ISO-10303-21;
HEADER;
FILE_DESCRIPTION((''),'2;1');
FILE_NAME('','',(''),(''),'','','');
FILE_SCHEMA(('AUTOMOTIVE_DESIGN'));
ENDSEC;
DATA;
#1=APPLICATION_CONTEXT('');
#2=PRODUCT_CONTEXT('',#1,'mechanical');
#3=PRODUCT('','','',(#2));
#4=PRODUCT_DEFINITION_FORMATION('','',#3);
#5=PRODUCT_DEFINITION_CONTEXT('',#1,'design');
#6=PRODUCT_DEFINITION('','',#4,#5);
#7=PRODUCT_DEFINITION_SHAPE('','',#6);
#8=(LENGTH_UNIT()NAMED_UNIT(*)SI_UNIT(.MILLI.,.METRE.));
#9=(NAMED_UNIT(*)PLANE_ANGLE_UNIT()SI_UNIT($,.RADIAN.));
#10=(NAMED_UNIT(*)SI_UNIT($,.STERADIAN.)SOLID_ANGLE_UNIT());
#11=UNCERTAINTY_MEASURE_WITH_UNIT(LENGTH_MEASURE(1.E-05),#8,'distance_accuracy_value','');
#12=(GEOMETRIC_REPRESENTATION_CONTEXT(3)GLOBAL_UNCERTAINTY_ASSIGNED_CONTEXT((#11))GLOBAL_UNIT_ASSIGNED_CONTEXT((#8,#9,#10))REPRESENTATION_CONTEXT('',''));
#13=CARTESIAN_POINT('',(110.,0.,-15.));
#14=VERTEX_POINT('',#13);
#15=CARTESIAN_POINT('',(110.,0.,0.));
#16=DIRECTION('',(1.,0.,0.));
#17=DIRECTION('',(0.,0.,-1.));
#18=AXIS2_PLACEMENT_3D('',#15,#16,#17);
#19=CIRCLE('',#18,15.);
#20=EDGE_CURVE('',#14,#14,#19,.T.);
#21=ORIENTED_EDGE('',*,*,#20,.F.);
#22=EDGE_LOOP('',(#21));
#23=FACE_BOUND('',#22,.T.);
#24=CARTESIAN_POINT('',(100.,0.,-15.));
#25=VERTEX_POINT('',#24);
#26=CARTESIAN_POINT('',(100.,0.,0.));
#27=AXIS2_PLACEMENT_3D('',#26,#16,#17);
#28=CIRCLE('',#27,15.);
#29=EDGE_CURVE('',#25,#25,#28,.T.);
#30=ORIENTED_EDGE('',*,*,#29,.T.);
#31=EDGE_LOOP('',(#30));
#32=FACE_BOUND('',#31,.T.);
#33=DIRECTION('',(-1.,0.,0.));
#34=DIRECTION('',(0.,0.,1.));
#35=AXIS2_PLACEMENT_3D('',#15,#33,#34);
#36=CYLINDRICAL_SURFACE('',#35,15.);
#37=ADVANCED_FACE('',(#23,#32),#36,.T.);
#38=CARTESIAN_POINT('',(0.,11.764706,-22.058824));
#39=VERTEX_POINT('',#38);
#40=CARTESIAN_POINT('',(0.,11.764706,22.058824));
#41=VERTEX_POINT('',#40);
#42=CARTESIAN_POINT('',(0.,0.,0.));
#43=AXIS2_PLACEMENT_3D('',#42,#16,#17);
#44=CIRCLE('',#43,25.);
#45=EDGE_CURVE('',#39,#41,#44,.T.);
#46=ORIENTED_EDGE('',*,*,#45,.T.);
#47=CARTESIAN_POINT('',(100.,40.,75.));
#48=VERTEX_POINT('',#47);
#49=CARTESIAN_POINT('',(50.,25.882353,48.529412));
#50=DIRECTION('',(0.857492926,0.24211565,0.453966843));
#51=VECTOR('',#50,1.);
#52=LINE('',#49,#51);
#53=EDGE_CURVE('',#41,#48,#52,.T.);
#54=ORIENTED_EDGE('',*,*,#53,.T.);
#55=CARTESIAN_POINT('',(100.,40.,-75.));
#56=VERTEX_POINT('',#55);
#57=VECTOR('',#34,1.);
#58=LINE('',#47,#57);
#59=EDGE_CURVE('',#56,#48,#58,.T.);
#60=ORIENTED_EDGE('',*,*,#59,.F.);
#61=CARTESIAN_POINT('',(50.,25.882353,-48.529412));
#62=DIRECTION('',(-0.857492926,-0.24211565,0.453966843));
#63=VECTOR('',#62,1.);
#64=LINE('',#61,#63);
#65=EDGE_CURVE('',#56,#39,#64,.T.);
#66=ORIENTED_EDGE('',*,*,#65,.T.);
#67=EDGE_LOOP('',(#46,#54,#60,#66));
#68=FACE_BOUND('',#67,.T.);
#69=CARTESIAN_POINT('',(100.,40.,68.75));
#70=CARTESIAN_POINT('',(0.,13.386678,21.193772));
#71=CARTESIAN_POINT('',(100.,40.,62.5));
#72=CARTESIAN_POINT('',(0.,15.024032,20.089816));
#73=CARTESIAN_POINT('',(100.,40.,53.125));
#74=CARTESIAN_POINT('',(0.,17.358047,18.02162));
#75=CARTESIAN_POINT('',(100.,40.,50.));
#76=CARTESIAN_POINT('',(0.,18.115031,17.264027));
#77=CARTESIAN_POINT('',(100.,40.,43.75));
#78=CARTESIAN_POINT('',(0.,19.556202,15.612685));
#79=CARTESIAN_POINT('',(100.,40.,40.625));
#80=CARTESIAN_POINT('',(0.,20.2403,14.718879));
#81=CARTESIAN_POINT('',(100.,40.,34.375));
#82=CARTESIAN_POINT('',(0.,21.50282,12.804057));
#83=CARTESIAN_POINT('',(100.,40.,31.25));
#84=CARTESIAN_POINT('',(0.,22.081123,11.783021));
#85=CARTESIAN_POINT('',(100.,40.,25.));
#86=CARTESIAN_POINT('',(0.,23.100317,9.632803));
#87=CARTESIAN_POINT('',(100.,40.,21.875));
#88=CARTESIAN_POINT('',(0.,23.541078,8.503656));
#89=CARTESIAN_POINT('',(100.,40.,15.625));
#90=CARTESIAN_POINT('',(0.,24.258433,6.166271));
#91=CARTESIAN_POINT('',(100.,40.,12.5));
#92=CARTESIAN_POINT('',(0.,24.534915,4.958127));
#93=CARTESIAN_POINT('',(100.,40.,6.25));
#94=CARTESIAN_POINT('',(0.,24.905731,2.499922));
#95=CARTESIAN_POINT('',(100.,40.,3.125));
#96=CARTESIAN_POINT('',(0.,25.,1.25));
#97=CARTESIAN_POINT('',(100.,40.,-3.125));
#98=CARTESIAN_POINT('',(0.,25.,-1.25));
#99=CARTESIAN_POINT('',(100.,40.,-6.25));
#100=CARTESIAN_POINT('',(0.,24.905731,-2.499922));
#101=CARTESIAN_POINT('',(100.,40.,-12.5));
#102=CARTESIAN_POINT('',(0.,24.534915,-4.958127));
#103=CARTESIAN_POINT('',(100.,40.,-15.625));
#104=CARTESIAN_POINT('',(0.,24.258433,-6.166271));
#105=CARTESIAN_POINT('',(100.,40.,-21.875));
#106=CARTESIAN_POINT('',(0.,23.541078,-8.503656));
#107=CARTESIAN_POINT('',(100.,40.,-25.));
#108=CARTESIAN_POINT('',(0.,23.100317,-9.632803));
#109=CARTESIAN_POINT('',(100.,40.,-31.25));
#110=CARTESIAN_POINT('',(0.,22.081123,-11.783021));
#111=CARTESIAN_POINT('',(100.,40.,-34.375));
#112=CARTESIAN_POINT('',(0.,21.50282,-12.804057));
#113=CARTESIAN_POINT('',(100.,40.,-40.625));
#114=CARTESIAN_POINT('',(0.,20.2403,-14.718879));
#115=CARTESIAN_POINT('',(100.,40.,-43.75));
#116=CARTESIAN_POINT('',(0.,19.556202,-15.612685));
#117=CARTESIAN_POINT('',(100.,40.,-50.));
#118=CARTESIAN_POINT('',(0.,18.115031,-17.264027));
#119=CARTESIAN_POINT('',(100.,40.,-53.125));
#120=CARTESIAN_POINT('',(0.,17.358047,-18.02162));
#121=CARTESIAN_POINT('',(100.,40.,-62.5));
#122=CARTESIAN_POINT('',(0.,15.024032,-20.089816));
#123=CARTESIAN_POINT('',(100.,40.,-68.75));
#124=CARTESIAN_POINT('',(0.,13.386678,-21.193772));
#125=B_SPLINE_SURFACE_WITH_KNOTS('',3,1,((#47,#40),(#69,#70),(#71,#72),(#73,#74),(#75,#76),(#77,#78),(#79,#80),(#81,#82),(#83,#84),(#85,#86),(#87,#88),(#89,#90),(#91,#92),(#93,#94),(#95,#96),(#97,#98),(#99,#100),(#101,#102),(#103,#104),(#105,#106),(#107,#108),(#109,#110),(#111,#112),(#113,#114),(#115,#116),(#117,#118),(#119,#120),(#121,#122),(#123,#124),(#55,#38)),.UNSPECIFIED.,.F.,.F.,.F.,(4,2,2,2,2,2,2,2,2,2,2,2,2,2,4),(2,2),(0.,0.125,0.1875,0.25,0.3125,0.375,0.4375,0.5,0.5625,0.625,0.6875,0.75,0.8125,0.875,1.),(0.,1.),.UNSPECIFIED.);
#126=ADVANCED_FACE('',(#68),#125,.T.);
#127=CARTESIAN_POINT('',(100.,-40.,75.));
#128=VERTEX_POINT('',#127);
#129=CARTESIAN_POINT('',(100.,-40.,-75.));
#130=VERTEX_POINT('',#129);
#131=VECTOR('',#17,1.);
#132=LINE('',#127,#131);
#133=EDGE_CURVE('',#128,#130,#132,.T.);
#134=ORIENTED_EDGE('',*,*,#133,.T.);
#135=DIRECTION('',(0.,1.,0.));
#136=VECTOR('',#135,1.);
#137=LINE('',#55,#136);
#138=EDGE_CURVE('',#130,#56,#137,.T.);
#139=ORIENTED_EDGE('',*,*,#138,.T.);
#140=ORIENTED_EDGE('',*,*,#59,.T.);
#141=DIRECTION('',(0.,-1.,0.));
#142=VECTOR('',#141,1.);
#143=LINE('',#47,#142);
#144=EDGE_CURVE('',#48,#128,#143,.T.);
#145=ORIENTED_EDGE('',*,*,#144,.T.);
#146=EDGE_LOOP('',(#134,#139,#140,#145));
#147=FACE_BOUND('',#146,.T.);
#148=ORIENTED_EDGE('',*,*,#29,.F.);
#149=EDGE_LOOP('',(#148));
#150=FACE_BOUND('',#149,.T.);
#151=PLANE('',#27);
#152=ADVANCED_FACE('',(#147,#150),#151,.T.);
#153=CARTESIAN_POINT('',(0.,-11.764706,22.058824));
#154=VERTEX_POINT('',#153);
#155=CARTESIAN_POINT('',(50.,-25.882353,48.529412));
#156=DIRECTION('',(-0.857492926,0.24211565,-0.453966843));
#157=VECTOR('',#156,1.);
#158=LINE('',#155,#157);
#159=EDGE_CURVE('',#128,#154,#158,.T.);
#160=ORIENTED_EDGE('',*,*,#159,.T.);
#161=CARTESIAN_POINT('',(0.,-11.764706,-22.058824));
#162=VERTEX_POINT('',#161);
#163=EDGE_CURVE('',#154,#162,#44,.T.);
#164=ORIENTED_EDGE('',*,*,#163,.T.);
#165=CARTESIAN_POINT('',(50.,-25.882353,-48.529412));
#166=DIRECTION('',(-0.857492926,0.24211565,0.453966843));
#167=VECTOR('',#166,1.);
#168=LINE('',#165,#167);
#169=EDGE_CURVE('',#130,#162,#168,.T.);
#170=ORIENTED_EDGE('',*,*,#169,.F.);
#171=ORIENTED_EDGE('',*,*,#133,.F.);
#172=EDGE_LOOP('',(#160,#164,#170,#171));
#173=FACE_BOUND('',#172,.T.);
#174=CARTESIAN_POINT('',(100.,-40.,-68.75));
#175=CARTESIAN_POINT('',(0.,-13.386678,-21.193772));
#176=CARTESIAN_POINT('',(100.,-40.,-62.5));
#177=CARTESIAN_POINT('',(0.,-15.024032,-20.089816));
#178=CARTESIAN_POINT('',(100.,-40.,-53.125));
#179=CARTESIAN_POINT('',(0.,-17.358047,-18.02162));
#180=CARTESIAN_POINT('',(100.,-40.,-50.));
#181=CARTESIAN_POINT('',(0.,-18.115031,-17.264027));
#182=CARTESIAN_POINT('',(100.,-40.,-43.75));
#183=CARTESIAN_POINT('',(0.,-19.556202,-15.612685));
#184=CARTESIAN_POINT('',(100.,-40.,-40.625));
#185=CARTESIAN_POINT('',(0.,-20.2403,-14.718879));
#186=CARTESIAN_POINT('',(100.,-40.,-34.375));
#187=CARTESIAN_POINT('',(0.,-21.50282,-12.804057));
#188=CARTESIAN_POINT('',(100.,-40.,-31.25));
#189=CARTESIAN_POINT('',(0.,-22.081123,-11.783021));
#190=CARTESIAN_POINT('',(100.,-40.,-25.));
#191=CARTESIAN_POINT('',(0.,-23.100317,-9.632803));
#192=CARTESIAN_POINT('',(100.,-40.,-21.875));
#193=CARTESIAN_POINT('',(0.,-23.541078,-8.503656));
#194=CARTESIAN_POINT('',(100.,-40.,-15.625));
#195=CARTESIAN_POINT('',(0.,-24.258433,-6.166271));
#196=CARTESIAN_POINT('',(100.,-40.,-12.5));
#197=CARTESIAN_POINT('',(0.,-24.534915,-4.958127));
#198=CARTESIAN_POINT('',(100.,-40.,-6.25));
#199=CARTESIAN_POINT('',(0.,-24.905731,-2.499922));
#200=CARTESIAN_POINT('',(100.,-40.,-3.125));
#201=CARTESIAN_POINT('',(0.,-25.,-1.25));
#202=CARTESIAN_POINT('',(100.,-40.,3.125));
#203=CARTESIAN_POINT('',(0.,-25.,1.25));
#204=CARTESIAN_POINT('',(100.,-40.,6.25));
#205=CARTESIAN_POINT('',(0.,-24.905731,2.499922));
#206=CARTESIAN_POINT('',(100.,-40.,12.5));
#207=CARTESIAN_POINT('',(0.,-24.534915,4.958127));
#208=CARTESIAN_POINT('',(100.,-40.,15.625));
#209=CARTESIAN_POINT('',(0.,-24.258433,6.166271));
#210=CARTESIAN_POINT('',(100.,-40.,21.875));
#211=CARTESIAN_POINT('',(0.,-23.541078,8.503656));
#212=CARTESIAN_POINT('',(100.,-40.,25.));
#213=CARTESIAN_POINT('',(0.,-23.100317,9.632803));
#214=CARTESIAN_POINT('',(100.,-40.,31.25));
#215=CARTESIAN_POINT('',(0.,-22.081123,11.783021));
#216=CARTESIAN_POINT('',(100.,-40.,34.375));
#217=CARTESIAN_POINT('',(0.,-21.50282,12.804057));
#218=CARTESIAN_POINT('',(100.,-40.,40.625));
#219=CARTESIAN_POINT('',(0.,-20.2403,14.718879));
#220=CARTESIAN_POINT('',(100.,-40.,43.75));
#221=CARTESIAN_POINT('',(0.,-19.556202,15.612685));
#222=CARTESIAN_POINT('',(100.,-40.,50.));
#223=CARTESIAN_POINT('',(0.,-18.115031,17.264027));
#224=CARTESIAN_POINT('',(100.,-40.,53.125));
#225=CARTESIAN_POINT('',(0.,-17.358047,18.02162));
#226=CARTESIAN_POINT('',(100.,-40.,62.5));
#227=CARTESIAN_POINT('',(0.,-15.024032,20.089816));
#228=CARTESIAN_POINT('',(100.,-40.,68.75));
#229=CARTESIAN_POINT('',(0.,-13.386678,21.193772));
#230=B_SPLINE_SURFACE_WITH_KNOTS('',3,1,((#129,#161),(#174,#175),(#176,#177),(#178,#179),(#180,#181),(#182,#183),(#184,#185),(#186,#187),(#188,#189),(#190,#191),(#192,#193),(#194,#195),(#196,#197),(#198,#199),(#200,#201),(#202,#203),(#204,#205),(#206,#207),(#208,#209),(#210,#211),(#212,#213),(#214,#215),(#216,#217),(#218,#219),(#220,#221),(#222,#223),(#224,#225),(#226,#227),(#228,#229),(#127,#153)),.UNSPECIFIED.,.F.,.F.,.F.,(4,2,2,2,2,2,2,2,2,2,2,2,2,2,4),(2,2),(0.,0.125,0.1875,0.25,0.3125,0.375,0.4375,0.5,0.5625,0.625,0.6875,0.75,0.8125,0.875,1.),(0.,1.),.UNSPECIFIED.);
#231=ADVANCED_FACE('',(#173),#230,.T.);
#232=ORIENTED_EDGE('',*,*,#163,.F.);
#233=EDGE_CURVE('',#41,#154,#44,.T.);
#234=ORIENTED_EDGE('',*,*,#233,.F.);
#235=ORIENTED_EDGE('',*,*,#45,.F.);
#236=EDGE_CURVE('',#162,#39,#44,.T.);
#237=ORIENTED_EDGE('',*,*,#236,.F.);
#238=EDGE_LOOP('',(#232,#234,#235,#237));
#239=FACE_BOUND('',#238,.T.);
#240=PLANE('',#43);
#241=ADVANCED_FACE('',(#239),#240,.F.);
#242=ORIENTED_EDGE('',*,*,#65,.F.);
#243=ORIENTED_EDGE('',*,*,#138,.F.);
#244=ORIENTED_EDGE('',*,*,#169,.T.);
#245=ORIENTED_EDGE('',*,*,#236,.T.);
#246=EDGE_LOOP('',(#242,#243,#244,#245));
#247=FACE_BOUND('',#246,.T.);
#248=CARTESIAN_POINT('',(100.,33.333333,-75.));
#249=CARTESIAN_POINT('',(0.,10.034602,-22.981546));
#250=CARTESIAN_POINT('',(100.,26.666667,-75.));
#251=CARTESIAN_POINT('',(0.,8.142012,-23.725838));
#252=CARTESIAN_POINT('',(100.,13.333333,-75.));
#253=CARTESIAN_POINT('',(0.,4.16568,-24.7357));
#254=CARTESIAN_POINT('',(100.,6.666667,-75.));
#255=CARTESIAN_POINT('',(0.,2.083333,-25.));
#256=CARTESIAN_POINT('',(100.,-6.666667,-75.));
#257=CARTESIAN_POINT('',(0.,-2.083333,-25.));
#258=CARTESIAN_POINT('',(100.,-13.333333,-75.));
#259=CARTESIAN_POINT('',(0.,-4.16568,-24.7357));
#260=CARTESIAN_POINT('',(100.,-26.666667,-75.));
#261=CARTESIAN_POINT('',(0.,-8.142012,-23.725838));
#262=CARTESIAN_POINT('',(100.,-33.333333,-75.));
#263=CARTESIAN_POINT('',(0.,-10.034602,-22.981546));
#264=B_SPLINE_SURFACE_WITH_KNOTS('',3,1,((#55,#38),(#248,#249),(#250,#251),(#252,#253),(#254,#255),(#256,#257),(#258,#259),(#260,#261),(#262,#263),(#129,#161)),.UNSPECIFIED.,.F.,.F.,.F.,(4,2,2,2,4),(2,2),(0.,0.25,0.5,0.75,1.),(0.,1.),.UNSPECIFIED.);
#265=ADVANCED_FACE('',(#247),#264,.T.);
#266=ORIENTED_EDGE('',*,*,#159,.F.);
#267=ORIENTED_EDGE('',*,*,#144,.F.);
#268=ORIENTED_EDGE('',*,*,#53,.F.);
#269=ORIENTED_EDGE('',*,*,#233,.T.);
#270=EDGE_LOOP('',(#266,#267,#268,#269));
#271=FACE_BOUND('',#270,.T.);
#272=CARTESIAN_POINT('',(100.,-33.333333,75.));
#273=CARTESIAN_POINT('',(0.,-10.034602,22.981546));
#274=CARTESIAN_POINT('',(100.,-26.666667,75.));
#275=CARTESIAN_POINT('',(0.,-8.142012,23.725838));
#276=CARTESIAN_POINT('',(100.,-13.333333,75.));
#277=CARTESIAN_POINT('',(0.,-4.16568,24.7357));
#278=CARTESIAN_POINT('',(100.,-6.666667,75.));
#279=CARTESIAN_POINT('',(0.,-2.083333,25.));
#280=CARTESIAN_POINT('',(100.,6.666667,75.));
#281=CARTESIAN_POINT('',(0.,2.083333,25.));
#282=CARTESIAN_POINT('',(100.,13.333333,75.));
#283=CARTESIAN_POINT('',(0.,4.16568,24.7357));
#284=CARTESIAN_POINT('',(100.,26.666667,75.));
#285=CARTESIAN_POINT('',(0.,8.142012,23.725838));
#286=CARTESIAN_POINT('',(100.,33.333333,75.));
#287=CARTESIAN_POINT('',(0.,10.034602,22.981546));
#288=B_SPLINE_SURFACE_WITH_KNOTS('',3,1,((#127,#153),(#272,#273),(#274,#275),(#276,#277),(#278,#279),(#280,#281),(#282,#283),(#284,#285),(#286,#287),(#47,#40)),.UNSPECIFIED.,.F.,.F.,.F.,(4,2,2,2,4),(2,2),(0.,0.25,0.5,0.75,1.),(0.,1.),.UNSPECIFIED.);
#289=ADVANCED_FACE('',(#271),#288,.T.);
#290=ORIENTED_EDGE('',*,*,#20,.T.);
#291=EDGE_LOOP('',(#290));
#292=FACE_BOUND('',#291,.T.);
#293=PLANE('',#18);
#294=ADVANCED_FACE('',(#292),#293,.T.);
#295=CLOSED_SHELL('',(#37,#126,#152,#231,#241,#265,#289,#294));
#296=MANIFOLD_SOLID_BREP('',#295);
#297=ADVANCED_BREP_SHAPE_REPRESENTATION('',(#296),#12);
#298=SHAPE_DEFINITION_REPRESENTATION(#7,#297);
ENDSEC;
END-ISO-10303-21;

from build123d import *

# Parameters (mm, degrees)
SKETCH2_W           = 150
SKETCH2_H           = 80
SKETCH3_R           = 15
BOSS_EXTRUDE1_DEPTH = 10


with BuildPart() as part:
    # Sketch2 → Loft1 section 0
    with BuildSketch(Plane(origin=(100, 0, 0), x_dir=(0, 0, -1), z_dir=(1, 0, 0))):
        Rectangle(SKETCH2_W, SKETCH2_H)
    # Sketch1 for Loft1 → Loft1 section 1
    with BuildSketch(Plane(origin=(0, 0, 0), x_dir=(0, 0, -1), z_dir=(1, 0, 0))):
        with BuildLine():
            # circular arc as an exact rational Bezier (weights 1, cos(half-angle), 1)
            Bezier((-22.058823529, 11.764705882), (0, 53.125000003), (22.058823529, 11.764705882), weights=[1, 0.470588235, 1])
            Bezier((22.058823529, 11.764705882), (28.333333334, 0), (22.058823529, -11.764705882), weights=[1, 0.882352941, 1])
            Bezier((22.058823529, -11.764705882), (0, -53.125000003), (-22.058823529, -11.764705882), weights=[1, 0.470588235, 1])
            Bezier((-22.058823529, -11.764705882), (-28.333333334, 0), (-22.058823529, 11.764705882), weights=[1, 0.882352941, 1])
        make_face()
    loft()

    # Sketch3 → Boss-Extrude1 (add)
    with BuildSketch(Plane(origin=(100, 0, 0), x_dir=(0, 0, -1), z_dir=(1, 0, 0))):
        Circle(SKETCH3_R)
    extrude(amount=BOSS_EXTRUDE1_DEPTH)


solid = part.part
